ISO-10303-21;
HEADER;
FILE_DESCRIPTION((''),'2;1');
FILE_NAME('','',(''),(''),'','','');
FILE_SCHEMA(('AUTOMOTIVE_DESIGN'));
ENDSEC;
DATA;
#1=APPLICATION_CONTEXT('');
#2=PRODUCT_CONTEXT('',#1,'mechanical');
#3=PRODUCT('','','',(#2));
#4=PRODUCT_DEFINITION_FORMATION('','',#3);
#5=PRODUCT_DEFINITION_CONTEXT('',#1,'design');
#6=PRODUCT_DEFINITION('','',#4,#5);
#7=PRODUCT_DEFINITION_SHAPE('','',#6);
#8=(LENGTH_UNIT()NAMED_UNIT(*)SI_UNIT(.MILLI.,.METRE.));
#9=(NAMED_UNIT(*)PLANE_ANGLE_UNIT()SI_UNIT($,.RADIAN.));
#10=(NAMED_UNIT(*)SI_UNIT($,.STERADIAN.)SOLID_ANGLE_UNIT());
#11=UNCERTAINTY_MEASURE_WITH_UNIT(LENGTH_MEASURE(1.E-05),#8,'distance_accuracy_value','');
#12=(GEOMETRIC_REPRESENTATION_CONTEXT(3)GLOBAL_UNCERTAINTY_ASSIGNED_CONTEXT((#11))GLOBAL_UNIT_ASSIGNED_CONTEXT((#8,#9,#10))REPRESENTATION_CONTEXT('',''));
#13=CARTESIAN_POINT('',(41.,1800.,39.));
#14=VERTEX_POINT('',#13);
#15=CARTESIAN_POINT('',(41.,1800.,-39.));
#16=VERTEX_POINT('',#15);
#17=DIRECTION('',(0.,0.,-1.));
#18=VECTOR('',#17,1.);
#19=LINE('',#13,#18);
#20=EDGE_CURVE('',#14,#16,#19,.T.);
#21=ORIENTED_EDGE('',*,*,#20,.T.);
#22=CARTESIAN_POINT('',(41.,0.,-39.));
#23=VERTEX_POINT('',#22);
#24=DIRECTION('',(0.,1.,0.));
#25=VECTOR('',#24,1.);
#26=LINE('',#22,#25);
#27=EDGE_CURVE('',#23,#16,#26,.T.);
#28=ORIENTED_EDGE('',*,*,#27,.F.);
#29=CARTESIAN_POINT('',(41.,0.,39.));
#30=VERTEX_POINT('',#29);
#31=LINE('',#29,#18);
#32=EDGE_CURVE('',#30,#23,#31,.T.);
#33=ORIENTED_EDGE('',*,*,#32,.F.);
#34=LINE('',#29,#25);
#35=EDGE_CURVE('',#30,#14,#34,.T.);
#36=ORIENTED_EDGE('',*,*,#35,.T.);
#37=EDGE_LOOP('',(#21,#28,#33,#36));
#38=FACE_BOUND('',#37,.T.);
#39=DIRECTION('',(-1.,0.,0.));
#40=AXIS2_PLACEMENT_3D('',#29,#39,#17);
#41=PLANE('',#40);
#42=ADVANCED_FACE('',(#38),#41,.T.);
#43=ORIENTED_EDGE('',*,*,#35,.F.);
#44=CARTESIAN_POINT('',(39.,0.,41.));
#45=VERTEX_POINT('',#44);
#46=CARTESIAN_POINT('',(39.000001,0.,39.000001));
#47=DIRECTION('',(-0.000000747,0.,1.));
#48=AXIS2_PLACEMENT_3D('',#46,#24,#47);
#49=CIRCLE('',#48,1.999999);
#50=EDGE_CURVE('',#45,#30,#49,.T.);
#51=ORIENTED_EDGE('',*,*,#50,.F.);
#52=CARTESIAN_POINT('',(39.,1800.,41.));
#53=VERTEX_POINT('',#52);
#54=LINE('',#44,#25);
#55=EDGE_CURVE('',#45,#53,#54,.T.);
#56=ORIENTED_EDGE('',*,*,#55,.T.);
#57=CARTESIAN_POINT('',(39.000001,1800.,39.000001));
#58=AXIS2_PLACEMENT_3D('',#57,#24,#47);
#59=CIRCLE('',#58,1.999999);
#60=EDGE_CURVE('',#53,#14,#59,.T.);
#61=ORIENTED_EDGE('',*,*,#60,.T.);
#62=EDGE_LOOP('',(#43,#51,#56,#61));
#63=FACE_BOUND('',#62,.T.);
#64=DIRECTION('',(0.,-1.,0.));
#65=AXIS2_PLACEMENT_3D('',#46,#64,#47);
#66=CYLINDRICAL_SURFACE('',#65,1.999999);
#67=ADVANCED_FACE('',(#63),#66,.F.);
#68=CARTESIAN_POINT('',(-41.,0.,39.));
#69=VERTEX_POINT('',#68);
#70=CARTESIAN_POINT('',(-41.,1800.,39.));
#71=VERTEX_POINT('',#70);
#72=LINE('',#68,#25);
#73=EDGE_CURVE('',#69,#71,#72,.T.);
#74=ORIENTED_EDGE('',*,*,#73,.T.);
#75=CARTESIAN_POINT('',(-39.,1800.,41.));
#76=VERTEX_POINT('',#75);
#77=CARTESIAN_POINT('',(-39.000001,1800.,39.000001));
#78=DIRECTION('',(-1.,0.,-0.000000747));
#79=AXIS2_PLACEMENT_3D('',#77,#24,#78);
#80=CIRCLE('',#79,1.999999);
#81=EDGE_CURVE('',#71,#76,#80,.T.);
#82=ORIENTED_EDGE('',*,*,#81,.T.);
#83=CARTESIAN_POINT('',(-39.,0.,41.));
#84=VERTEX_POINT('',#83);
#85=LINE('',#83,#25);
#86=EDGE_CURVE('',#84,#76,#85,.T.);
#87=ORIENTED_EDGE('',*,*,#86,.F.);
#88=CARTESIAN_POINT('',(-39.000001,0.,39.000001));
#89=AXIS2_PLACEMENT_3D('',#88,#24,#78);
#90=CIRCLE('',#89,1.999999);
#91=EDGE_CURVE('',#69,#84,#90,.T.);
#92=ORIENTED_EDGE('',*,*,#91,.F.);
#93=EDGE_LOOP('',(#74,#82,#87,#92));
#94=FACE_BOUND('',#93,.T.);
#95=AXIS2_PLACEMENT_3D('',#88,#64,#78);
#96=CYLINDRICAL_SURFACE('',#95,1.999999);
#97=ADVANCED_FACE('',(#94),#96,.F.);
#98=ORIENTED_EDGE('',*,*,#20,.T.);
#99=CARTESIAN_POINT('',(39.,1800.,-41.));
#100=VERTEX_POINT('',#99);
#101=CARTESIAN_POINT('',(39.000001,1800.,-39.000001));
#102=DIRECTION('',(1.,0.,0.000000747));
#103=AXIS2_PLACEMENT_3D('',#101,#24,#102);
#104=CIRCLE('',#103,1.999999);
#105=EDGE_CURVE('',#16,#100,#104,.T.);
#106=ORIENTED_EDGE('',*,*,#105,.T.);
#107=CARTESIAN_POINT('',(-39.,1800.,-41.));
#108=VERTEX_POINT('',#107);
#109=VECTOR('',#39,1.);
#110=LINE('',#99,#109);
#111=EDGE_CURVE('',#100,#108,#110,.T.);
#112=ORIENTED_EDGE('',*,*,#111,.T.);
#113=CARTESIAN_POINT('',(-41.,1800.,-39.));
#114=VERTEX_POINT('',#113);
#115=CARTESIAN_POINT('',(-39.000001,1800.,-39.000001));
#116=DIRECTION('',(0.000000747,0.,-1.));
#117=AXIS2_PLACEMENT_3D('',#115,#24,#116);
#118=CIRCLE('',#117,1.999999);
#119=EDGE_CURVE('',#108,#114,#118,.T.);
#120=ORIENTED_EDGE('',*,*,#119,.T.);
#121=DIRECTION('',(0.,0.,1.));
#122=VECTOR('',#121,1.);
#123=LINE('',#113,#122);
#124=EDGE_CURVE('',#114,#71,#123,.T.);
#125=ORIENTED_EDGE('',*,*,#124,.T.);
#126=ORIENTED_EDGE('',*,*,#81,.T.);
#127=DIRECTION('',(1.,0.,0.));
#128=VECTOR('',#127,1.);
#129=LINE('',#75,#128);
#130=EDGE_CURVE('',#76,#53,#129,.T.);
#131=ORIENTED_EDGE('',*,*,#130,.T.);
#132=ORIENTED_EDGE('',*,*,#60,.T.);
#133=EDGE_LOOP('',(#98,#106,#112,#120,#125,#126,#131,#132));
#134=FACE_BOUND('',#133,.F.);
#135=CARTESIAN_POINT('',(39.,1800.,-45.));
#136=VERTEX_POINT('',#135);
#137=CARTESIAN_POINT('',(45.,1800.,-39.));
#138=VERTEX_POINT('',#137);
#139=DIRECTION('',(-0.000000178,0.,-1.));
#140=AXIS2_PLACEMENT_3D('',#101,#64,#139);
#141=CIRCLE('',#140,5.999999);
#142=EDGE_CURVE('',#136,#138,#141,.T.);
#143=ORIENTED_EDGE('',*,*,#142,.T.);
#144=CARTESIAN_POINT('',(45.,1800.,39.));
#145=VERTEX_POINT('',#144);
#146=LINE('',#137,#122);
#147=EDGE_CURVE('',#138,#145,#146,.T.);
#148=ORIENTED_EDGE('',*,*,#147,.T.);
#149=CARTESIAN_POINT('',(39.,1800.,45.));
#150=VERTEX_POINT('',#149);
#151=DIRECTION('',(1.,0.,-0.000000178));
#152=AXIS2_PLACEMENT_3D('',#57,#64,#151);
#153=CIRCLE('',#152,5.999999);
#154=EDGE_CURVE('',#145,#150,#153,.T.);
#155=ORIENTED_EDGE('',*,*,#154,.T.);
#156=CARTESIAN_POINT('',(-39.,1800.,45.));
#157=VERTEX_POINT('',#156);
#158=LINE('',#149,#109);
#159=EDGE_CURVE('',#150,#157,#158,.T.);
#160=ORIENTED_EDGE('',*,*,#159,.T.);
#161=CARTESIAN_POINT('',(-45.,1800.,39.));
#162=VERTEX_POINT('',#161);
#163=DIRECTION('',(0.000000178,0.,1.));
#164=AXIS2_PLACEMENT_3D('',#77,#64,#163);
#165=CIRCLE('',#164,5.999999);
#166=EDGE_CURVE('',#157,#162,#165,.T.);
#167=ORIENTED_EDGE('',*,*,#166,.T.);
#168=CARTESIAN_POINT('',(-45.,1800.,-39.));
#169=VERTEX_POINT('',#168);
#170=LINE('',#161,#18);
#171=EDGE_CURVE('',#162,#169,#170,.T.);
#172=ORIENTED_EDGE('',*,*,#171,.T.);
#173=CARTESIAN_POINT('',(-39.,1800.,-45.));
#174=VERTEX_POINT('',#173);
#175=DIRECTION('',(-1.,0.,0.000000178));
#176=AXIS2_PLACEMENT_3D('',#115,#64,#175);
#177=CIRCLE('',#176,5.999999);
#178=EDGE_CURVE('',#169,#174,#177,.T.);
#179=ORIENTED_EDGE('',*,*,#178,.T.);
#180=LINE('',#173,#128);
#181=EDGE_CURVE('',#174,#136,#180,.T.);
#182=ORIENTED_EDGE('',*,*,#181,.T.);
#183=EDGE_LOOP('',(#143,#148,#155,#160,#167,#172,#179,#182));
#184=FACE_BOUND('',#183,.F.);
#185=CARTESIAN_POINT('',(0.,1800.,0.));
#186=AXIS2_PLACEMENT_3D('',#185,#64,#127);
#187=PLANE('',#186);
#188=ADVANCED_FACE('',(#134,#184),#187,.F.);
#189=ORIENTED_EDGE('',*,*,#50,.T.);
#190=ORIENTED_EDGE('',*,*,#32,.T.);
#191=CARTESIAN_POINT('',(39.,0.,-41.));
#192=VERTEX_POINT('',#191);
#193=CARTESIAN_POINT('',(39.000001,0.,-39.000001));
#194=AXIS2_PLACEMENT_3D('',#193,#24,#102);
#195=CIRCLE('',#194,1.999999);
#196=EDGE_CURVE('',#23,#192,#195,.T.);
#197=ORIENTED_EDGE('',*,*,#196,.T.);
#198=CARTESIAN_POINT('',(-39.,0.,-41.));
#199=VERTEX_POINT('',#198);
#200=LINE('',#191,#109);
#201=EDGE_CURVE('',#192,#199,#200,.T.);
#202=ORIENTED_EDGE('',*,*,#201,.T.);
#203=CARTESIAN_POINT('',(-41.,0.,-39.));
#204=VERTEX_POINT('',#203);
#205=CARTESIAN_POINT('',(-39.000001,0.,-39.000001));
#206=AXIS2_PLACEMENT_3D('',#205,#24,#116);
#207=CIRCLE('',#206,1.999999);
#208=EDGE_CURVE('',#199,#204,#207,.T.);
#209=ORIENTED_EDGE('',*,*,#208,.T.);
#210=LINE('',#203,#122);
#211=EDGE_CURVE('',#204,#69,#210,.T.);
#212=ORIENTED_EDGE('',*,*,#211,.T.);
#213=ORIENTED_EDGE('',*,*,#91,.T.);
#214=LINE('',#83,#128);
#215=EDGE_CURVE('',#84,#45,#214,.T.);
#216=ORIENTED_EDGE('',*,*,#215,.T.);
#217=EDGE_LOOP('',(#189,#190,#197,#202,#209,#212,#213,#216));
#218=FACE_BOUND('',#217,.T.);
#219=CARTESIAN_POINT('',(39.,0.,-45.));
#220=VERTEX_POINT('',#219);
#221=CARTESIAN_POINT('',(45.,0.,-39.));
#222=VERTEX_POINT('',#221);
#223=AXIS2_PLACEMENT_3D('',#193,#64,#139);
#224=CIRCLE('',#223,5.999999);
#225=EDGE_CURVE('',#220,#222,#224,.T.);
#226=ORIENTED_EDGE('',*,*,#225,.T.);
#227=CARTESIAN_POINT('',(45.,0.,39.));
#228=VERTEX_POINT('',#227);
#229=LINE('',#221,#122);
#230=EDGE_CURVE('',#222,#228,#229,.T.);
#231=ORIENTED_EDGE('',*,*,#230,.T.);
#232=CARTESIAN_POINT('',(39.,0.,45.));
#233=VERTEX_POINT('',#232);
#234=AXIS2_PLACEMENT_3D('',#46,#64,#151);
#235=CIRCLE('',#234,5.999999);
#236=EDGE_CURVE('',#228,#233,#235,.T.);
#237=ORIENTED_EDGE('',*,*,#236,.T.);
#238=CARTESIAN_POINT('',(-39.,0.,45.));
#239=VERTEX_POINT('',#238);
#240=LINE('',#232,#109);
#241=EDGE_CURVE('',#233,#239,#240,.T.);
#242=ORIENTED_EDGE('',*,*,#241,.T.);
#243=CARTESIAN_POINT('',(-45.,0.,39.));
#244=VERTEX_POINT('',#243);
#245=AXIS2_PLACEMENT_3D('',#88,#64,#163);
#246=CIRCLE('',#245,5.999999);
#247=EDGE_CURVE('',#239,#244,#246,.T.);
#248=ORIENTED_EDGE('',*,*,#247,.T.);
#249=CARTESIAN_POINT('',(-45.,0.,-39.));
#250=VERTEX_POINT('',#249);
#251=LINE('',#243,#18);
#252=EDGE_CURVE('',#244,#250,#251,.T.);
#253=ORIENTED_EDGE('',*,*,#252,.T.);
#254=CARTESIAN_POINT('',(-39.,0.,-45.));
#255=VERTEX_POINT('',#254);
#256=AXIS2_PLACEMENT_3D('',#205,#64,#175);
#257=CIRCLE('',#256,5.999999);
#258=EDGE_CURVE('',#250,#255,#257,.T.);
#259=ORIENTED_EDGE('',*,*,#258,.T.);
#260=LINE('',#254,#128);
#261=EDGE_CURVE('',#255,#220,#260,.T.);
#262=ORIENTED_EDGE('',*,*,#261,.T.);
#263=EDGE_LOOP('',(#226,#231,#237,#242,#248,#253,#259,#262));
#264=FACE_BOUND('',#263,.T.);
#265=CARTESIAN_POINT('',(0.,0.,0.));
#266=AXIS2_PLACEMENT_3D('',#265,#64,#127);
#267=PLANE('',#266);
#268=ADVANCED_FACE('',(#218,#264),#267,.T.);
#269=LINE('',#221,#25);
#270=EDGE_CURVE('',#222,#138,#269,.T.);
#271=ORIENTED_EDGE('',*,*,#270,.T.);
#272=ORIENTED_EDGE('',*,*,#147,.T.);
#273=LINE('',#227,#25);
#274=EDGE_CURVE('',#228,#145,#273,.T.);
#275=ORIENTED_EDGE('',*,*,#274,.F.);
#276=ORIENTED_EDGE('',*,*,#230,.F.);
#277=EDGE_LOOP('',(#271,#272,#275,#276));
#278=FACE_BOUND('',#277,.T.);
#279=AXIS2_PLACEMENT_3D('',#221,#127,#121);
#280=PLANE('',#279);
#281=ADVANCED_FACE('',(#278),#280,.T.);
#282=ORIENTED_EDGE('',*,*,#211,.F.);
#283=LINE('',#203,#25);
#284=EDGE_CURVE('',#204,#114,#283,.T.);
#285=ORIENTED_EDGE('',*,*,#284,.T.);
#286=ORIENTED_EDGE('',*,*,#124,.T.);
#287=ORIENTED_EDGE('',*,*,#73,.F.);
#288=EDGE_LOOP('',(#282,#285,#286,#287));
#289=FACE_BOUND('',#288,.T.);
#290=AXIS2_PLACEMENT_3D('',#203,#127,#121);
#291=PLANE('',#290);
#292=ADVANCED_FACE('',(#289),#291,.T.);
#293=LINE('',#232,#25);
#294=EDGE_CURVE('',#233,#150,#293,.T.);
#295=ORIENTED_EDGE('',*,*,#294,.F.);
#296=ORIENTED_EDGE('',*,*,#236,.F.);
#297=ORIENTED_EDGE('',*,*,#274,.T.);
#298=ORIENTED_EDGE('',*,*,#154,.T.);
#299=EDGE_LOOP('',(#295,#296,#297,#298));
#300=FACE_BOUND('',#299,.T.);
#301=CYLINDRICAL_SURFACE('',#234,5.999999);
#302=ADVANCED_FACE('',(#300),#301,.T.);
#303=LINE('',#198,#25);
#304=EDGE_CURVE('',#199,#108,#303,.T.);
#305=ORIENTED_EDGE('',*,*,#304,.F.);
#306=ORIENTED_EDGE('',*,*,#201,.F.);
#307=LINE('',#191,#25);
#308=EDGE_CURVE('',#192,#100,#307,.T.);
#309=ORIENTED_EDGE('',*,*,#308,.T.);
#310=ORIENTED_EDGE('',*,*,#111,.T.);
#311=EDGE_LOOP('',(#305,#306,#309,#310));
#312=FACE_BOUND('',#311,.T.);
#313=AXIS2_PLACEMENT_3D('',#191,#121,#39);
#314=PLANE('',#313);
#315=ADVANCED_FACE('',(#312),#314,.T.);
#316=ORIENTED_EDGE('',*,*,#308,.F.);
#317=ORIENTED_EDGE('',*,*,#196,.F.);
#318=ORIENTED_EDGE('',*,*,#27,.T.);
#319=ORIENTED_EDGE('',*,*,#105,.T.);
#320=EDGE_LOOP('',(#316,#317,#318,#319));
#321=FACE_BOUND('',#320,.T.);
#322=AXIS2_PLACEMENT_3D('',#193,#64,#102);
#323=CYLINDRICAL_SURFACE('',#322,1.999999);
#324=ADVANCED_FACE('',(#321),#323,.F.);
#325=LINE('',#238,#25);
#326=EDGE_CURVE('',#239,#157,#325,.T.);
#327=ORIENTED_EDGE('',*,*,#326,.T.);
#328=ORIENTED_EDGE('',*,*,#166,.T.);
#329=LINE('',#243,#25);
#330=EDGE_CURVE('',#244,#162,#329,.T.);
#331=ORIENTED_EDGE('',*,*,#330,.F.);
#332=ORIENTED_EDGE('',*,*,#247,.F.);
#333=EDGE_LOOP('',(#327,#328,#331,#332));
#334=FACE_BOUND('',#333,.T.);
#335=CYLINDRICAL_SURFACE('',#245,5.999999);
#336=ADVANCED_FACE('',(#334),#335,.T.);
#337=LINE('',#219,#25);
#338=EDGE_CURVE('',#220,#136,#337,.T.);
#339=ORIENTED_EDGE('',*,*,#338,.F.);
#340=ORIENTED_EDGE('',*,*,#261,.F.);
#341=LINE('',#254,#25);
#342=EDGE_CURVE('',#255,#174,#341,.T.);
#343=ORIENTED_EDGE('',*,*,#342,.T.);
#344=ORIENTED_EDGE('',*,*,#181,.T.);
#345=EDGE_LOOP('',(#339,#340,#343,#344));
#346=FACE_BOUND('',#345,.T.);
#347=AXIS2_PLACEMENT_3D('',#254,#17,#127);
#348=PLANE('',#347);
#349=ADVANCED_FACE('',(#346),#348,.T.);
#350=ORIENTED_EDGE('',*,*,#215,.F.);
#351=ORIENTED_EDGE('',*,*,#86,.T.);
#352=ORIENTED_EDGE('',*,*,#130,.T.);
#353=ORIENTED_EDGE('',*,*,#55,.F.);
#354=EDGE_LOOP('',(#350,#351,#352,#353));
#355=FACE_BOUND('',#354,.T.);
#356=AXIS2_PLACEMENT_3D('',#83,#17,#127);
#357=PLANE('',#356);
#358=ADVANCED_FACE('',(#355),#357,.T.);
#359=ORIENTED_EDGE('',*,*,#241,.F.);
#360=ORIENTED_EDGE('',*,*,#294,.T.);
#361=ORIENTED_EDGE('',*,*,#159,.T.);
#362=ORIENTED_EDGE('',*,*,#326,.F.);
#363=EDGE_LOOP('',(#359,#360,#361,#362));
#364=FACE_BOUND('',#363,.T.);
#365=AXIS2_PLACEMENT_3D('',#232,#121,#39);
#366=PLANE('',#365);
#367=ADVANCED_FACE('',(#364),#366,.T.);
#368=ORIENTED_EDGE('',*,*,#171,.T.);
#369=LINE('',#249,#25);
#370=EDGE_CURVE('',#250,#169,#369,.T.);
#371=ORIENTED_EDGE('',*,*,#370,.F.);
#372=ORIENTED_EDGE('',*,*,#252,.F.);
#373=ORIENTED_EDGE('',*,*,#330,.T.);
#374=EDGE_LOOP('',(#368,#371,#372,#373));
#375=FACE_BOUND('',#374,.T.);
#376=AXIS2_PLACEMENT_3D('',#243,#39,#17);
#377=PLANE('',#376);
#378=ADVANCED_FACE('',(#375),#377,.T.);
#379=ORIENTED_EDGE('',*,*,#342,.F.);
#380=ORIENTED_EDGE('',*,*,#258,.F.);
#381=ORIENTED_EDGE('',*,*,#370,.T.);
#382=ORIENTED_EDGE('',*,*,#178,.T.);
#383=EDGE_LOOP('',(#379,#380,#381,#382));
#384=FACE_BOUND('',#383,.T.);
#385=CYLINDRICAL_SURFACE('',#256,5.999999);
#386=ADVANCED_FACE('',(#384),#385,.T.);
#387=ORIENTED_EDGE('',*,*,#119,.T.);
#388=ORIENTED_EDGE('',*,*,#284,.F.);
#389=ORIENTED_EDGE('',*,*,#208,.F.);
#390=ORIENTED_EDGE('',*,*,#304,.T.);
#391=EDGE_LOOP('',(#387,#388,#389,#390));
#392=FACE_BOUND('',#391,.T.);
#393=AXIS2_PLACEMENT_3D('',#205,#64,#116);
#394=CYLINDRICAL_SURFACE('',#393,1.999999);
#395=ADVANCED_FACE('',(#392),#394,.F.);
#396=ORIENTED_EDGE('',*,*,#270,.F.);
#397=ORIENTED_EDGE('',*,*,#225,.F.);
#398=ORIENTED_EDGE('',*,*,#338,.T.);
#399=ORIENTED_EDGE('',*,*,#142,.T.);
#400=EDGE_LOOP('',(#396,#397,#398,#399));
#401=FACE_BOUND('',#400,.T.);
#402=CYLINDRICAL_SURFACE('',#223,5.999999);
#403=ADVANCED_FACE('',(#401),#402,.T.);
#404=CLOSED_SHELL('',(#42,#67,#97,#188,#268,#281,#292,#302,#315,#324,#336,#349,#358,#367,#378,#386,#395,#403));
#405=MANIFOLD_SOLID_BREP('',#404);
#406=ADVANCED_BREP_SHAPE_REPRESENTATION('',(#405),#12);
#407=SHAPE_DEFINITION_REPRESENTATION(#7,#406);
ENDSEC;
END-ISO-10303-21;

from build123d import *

# Parameters (mm, degrees)
F1_DEPTH = 1800


with BuildPart() as f1:
    # F0 (on Front) → F1 (new body)
    with BuildSketch(Plane.XZ):
        with BuildLine():
            ThreePointArc((45, 39), (43.242641, 43.242641), (39, 45))
            Line((39, 45), (-39, 45))
            ThreePointArc((-39, 45), (-43.242641, 43.242641), (-45, 39))
            Line((-45, 39), (-45, -39))
            ThreePointArc((-45, -39), (-43.242641, -43.242641), (-39, -45))
            Line((-39, -45), (39, -45))
            ThreePointArc((39, -45), (43.242641, -43.242641), (45, -39))
            Line((45, -39), (45, 39))
        make_face()
        with BuildLine():
            ThreePointArc((-41, 39), (-40.414214, 40.414214), (-39, 41))
            Line((-39, 41), (39, 41))
            ThreePointArc((39, 41), (40.414214, 40.414214), (41, 39))
            Line((41, 39), (41, -39))
            ThreePointArc((41, -39), (40.414214, -40.414214), (39, -41))
            Line((39, -41), (-39, -41))
            ThreePointArc((-39, -41), (-40.414214, -40.414214), (-41, -39))
            Line((-41, -39), (-41, 39))
        make_face(mode=Mode.SUBTRACT)
    extrude(amount=-F1_DEPTH)


solid = f1.part
